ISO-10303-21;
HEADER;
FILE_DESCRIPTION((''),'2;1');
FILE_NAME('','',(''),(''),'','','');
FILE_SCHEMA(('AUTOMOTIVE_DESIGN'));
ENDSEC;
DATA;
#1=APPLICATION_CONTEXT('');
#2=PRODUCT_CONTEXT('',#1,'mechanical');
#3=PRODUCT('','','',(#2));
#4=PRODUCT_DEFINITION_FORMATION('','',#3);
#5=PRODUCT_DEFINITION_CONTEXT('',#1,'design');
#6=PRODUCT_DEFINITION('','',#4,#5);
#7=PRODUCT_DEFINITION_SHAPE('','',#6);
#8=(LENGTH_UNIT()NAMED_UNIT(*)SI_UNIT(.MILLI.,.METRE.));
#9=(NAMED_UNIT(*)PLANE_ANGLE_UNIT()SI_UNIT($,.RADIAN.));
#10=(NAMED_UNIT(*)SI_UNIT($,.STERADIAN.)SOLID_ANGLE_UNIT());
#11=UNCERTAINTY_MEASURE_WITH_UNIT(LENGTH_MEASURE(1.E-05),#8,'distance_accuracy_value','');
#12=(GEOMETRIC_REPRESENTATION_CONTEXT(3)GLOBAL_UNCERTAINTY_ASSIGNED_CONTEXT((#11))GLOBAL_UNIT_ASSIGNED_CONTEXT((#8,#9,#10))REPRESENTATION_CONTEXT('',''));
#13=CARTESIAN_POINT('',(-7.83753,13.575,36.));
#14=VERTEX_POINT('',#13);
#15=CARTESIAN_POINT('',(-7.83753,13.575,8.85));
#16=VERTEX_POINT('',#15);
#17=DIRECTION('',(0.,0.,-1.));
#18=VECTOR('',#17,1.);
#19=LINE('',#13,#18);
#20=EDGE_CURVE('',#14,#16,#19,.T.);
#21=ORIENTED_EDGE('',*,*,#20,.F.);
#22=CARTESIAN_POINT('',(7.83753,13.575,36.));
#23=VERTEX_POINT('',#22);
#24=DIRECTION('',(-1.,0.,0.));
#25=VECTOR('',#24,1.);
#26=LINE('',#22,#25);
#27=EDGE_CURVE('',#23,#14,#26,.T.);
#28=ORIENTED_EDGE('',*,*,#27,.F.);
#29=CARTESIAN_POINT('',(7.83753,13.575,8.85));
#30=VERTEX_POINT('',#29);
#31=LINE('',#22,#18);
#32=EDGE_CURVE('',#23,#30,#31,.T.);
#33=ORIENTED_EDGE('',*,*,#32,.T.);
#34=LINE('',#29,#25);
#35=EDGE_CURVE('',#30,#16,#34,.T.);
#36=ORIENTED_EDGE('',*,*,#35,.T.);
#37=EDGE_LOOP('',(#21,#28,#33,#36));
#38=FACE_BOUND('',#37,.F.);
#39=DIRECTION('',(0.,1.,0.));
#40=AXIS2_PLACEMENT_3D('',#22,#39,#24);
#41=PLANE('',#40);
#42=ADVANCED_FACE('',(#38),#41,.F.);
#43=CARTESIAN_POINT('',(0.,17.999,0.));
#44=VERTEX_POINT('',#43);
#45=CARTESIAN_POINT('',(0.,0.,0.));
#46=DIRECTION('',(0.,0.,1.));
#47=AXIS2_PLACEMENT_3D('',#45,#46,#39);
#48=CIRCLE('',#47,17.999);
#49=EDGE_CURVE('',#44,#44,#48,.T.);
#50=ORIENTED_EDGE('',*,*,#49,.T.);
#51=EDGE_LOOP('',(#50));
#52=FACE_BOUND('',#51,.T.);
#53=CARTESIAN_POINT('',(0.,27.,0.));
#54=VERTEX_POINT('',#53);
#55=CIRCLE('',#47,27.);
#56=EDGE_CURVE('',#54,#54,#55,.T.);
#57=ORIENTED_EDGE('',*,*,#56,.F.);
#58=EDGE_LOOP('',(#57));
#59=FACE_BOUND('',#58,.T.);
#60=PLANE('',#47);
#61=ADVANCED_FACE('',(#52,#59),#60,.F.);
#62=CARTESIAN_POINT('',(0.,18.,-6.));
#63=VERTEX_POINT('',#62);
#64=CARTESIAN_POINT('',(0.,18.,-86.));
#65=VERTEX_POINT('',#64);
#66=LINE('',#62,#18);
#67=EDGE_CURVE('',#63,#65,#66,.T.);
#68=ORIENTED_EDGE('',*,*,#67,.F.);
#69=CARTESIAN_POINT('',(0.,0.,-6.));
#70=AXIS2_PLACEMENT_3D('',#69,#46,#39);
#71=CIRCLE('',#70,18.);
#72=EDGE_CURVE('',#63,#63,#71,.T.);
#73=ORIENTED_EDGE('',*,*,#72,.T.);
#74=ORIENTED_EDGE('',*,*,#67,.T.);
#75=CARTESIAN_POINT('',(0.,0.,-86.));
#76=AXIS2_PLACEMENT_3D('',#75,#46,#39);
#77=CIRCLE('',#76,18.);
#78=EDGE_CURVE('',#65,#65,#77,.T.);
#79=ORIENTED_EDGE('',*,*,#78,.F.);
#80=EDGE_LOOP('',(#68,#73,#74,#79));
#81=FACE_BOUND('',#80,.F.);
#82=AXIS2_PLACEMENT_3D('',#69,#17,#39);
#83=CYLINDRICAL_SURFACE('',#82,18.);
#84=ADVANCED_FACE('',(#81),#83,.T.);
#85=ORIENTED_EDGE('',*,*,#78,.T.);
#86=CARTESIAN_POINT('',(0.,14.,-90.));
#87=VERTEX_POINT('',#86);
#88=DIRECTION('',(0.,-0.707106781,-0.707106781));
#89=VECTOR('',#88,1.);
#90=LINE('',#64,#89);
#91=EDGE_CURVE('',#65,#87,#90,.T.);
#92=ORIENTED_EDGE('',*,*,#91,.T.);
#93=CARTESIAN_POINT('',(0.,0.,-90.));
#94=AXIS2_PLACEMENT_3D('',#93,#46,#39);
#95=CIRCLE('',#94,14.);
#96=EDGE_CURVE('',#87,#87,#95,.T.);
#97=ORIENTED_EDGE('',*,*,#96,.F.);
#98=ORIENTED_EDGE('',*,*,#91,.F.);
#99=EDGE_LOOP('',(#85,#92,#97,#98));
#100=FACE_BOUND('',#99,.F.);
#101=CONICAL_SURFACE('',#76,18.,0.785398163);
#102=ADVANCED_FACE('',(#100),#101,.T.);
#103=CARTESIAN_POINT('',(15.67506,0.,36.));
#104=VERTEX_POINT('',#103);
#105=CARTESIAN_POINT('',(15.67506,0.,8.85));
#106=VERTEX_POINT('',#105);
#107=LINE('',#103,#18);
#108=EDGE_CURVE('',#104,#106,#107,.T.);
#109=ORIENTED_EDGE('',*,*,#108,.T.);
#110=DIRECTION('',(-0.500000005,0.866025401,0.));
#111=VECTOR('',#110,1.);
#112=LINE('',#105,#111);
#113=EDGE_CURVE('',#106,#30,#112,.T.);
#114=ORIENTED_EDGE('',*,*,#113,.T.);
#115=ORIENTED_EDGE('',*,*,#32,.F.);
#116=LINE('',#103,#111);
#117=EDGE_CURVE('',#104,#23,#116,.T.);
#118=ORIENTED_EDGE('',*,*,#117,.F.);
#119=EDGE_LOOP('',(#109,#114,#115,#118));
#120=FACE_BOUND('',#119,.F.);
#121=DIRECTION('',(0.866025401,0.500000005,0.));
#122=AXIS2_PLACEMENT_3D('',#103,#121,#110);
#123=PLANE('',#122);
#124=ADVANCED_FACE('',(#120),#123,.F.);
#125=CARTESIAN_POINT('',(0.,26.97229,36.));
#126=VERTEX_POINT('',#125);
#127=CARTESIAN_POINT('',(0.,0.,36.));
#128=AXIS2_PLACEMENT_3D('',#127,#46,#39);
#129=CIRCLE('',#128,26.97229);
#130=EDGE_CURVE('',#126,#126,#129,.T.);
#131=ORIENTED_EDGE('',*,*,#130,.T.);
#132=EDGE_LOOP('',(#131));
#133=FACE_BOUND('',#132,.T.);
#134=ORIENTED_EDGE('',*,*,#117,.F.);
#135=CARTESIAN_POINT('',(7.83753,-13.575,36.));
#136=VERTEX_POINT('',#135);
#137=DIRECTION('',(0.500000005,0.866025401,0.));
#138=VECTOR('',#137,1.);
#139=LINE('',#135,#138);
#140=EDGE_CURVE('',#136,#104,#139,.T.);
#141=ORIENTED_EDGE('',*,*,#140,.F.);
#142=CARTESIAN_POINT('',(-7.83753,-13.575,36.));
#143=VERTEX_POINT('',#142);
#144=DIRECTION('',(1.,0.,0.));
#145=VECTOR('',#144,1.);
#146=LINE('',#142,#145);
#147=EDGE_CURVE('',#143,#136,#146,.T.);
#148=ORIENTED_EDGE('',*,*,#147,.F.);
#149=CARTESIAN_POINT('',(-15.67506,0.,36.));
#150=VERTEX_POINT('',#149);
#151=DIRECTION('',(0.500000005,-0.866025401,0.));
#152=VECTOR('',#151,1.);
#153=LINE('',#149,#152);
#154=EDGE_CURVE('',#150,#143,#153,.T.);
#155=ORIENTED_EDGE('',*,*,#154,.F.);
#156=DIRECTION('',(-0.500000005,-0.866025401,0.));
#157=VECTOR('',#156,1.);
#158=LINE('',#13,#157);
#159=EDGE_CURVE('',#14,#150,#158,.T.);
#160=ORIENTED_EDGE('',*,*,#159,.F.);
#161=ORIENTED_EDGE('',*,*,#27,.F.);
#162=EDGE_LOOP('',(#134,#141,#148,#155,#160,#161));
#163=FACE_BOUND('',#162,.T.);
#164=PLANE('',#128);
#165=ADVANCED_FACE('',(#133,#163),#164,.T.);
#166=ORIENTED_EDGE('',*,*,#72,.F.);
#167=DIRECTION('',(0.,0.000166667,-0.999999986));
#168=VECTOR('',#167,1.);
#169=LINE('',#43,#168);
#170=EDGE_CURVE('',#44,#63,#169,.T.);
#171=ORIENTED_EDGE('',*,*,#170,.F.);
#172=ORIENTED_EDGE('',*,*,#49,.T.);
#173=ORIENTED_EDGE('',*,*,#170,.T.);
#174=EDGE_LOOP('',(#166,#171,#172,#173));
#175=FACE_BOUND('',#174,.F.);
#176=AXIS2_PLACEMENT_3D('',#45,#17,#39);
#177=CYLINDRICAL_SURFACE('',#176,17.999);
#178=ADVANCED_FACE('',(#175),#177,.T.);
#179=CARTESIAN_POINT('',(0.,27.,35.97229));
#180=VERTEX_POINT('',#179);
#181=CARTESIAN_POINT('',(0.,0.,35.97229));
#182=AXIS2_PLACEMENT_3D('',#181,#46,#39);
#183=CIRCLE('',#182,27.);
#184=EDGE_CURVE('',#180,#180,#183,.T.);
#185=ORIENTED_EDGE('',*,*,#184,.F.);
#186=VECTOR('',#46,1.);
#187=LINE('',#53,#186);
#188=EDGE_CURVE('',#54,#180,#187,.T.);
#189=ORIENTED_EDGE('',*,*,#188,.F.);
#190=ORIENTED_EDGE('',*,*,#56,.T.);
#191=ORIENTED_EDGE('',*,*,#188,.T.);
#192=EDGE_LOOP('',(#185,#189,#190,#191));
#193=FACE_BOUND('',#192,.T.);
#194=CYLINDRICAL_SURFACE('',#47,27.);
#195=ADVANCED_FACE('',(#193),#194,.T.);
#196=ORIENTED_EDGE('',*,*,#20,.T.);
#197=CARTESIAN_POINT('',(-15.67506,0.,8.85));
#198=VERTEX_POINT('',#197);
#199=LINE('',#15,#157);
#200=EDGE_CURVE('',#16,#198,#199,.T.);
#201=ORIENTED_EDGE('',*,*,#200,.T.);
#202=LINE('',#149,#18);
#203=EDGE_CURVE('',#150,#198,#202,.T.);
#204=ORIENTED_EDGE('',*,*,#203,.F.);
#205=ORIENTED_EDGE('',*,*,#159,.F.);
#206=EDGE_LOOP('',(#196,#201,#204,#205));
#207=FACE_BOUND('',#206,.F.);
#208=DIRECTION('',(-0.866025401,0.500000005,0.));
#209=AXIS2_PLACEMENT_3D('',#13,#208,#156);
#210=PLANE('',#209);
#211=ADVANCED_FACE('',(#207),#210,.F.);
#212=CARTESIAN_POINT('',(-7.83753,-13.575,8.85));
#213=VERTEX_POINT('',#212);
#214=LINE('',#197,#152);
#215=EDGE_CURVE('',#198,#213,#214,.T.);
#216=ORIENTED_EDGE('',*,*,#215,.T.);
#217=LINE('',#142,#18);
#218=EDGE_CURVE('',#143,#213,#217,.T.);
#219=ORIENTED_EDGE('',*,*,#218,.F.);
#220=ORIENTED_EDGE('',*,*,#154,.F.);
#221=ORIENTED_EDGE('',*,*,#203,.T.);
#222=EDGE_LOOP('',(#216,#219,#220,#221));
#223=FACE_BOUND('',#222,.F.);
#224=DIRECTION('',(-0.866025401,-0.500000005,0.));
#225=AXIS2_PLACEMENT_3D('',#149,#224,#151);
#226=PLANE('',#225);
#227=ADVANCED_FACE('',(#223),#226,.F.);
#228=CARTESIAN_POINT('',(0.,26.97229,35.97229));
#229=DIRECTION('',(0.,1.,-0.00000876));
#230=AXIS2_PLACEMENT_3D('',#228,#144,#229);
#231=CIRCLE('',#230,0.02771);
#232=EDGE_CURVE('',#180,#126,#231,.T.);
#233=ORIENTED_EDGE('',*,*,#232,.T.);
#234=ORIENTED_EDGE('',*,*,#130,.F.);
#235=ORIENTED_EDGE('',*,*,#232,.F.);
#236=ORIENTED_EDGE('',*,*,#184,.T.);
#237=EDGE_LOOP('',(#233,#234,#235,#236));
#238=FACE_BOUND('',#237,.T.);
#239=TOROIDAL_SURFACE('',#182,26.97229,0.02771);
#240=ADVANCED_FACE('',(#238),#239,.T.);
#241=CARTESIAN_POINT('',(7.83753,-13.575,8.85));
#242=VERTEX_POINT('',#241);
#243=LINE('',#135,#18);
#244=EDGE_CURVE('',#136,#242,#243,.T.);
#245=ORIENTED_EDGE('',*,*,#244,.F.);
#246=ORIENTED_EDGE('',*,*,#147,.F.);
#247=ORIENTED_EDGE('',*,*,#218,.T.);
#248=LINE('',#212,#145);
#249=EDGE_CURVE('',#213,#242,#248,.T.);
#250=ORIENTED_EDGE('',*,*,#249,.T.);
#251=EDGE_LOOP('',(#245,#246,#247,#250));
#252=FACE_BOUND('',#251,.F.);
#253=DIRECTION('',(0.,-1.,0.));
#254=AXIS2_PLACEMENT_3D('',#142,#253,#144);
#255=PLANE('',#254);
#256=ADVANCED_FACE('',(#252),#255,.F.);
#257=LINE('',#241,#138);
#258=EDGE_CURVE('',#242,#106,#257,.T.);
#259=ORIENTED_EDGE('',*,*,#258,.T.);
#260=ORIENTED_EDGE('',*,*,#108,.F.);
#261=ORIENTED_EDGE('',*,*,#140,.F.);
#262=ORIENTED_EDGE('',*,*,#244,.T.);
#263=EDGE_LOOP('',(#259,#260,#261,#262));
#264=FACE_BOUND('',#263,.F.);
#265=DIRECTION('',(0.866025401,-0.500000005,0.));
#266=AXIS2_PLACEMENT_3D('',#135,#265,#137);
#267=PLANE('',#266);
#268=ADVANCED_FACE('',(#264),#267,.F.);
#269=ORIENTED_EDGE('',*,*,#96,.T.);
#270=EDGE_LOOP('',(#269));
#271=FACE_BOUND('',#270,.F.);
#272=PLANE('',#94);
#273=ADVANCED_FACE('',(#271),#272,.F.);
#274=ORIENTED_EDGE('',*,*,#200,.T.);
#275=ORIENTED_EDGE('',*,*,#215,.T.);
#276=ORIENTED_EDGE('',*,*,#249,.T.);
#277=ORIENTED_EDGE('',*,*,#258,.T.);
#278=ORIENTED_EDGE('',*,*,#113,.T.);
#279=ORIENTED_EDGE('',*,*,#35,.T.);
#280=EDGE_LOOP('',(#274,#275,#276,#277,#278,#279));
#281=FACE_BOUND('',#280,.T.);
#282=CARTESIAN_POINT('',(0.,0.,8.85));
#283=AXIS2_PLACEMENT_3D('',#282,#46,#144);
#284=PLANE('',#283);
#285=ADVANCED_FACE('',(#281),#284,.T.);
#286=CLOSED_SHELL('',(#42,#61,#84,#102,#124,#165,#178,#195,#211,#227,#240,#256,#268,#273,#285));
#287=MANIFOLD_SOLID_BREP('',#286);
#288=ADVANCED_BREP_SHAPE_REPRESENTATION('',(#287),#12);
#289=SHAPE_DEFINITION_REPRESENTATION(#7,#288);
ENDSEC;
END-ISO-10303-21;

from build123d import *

# Parameters (mm, degrees)
POCKET_DEPTH = 27.15


with BuildPart() as part:
    # Sketch → Revolve (revolve)
    with BuildSketch(Plane.YZ):
        with BuildLine():
            Line((17.999, 0), (27, 0))
            Line((27, 0), (27, 35.97229))
            ThreePointArc((27, 35.97229), (26.991884, 35.991884), (26.97229, 36))
            Line((26.97229, 36), (0, 36))
            Line((0, -90), (0, 36))
            Line((14, -90), (0, -90))
            Line((18, -86), (14, -90))
            Line((18, -6), (18, -86))
            Line((17.999, 0), (18, -6))
        make_face()
    revolve(axis=Axis((0, 0, 0), (0, 0, 1)))

    # Sketch001 → Pocket (cut)
    with BuildSketch(Plane.XY.offset(36)):
        Polygon((15.67506, 0), (7.83753, 13.575), (-7.83753, 13.575), (-15.67506, 0), (-7.83753, -13.575), (7.83753, -13.575), align=None)
    extrude(amount=-POCKET_DEPTH, mode=Mode.SUBTRACT)


solid = part.part
